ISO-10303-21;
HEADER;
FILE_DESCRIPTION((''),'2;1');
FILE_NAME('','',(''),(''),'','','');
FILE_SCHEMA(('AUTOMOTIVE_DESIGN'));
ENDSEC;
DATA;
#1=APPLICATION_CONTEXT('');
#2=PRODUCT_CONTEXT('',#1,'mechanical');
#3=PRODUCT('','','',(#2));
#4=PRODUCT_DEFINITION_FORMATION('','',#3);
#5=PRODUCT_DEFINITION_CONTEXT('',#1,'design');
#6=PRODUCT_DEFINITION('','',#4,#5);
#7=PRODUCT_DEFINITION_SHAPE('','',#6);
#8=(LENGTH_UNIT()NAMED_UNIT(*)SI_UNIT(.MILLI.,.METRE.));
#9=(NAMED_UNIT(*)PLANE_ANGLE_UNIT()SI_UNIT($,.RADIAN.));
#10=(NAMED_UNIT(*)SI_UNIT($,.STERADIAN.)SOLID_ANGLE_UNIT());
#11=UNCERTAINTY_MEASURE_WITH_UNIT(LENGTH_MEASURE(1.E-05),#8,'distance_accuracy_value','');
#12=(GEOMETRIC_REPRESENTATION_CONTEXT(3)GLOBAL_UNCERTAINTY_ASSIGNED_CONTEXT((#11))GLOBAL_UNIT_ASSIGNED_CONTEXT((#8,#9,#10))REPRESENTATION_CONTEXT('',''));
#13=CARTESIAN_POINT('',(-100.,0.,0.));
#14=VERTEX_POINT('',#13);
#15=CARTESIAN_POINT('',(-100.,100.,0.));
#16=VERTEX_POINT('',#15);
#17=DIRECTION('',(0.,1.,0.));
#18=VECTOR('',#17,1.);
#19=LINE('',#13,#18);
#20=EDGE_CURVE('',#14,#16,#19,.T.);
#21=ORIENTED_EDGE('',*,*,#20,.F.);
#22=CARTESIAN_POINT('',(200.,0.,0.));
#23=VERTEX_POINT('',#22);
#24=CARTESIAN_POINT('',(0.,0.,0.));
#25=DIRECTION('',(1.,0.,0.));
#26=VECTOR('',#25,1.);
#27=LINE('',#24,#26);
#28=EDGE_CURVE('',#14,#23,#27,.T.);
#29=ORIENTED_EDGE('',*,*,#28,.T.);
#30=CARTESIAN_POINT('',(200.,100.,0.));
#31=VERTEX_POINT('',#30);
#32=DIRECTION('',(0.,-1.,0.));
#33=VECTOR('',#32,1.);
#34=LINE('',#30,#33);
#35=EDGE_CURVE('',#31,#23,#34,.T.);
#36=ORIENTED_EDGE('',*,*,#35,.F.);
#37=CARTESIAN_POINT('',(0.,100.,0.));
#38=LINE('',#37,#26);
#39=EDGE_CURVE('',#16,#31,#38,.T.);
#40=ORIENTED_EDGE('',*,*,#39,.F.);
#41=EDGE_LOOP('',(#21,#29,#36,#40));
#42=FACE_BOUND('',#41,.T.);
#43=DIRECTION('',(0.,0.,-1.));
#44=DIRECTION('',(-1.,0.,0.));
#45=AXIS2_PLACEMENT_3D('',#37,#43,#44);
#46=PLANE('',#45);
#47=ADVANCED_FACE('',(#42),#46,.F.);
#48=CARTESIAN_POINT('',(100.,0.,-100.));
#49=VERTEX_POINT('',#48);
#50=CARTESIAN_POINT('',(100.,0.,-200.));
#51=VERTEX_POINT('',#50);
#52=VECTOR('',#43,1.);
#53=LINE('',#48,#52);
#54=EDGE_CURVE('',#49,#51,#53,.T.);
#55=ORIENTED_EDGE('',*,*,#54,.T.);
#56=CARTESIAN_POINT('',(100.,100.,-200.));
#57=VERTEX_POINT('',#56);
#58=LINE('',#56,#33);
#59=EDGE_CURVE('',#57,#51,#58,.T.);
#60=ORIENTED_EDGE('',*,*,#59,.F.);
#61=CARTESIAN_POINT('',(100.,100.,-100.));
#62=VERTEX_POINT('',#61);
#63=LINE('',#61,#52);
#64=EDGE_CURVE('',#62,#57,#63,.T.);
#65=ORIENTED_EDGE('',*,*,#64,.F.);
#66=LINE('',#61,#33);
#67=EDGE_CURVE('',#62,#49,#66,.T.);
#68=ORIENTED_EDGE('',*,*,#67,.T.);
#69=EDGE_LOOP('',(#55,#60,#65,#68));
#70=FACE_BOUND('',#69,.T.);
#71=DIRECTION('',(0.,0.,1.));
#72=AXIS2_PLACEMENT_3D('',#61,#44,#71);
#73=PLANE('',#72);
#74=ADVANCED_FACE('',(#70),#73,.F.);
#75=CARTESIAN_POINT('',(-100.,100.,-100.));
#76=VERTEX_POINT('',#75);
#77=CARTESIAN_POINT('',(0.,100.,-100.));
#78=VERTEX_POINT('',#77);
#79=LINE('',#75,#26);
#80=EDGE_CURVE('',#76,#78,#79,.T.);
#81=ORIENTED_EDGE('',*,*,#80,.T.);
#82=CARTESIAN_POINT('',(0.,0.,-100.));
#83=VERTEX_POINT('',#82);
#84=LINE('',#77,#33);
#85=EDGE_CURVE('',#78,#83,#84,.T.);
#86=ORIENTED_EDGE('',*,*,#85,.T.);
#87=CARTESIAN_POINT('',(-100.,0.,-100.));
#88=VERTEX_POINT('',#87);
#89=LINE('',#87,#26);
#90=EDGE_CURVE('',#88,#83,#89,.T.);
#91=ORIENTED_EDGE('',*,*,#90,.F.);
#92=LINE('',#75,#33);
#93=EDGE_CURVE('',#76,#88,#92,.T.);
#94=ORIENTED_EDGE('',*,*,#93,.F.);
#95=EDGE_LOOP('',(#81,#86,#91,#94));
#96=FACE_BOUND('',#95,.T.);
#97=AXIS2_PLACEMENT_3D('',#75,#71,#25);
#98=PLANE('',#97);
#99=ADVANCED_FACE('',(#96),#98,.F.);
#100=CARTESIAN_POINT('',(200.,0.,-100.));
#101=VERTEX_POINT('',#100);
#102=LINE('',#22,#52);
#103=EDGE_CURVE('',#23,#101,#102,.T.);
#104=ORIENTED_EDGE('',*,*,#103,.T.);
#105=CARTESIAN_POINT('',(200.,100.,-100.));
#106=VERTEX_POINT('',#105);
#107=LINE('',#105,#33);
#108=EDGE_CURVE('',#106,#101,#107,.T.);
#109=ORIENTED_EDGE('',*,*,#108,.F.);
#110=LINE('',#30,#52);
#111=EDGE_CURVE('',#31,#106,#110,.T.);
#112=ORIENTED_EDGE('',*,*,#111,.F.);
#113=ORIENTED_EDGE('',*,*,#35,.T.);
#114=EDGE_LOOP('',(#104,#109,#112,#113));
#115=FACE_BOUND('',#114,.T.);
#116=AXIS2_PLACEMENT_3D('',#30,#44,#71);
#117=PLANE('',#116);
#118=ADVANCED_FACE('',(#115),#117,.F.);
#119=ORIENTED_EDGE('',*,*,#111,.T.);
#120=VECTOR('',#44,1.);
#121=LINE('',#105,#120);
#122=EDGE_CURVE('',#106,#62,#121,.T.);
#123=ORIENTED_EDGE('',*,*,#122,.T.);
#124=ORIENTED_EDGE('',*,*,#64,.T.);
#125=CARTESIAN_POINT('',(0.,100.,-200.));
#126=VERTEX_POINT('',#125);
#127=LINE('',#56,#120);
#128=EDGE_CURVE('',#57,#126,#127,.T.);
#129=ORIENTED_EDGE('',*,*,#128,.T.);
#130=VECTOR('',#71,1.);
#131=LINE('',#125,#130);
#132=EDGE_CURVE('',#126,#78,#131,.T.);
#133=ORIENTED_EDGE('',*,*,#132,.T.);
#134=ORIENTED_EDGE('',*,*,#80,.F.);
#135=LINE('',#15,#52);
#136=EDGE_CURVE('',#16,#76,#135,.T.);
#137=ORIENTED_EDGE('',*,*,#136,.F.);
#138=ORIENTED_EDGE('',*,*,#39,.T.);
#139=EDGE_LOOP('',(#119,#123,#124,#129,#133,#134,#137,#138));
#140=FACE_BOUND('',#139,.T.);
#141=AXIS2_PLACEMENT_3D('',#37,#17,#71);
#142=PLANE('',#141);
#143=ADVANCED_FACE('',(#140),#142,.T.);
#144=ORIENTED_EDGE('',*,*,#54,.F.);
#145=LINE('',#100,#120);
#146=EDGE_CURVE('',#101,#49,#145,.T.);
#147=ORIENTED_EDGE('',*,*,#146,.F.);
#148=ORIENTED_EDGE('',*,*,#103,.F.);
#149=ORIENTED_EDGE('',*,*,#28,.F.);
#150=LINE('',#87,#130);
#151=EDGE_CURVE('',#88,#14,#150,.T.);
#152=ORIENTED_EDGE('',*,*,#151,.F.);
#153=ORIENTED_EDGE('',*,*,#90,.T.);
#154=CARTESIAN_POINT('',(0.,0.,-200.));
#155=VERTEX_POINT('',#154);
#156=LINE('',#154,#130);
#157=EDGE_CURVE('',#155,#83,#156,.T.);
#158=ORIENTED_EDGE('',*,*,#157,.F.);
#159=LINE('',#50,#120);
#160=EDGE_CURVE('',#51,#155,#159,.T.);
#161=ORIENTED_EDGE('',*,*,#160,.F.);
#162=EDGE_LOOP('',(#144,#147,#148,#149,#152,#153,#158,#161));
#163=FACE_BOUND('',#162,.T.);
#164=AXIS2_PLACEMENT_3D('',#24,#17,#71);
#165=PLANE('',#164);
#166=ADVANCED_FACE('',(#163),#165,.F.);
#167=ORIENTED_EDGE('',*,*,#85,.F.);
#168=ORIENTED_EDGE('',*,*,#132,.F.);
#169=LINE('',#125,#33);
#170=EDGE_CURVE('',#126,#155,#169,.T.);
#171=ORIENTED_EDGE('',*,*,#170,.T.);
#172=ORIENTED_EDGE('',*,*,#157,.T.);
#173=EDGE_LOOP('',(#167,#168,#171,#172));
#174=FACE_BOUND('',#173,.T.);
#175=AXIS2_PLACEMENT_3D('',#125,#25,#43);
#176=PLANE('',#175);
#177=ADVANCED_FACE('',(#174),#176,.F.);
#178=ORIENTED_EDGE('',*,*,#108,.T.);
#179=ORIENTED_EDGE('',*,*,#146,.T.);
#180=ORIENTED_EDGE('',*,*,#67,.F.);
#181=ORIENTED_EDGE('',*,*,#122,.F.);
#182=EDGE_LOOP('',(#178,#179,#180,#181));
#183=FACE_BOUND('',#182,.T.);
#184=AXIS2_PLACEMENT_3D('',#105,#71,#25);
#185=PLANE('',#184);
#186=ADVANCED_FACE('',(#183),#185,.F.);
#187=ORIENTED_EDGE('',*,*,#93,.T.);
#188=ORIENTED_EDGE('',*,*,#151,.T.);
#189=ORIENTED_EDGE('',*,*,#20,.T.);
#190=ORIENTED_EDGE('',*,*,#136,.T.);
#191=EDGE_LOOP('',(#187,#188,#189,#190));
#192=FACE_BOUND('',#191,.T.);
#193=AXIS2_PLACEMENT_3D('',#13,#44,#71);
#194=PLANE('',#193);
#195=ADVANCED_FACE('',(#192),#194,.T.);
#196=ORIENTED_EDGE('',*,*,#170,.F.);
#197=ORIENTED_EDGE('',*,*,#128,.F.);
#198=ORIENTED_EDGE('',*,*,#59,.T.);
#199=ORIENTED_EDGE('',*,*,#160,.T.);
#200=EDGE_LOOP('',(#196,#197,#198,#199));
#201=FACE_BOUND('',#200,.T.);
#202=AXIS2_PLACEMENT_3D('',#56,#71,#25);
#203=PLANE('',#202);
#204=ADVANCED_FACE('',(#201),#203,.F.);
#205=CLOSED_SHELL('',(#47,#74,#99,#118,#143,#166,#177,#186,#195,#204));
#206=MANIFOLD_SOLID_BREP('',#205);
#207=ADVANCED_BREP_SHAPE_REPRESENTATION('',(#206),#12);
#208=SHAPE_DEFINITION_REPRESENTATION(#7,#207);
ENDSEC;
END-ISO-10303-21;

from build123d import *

# Parameters (mm, degrees)
EXTRUDE_1_DEPTH = 100
SKETCH_3_W      = 100
SKETCH_3_H      = 100
EXTRUDE_3_DEPTH = 100


with BuildPart() as part:
    # 草图1 → 凸台-拉伸1 (new body)
    with BuildSketch(Plane(origin=(0, 0, 0), x_dir=(1, 0, 0), z_dir=(0, 1, 0))):
        Polygon((0, 0), (200, 0), (200, 100), (100, 100), (100, 200), (0, 200), align=None)
    extrude(amount=EXTRUDE_1_DEPTH)

    # 草图3 → 凸台-拉伸3 (add)
    with BuildSketch(Plane.ZY):
        with Locations((-50, 50)):
            Rectangle(SKETCH_3_W, SKETCH_3_H)
    extrude(amount=EXTRUDE_3_DEPTH)


solid = part.part
